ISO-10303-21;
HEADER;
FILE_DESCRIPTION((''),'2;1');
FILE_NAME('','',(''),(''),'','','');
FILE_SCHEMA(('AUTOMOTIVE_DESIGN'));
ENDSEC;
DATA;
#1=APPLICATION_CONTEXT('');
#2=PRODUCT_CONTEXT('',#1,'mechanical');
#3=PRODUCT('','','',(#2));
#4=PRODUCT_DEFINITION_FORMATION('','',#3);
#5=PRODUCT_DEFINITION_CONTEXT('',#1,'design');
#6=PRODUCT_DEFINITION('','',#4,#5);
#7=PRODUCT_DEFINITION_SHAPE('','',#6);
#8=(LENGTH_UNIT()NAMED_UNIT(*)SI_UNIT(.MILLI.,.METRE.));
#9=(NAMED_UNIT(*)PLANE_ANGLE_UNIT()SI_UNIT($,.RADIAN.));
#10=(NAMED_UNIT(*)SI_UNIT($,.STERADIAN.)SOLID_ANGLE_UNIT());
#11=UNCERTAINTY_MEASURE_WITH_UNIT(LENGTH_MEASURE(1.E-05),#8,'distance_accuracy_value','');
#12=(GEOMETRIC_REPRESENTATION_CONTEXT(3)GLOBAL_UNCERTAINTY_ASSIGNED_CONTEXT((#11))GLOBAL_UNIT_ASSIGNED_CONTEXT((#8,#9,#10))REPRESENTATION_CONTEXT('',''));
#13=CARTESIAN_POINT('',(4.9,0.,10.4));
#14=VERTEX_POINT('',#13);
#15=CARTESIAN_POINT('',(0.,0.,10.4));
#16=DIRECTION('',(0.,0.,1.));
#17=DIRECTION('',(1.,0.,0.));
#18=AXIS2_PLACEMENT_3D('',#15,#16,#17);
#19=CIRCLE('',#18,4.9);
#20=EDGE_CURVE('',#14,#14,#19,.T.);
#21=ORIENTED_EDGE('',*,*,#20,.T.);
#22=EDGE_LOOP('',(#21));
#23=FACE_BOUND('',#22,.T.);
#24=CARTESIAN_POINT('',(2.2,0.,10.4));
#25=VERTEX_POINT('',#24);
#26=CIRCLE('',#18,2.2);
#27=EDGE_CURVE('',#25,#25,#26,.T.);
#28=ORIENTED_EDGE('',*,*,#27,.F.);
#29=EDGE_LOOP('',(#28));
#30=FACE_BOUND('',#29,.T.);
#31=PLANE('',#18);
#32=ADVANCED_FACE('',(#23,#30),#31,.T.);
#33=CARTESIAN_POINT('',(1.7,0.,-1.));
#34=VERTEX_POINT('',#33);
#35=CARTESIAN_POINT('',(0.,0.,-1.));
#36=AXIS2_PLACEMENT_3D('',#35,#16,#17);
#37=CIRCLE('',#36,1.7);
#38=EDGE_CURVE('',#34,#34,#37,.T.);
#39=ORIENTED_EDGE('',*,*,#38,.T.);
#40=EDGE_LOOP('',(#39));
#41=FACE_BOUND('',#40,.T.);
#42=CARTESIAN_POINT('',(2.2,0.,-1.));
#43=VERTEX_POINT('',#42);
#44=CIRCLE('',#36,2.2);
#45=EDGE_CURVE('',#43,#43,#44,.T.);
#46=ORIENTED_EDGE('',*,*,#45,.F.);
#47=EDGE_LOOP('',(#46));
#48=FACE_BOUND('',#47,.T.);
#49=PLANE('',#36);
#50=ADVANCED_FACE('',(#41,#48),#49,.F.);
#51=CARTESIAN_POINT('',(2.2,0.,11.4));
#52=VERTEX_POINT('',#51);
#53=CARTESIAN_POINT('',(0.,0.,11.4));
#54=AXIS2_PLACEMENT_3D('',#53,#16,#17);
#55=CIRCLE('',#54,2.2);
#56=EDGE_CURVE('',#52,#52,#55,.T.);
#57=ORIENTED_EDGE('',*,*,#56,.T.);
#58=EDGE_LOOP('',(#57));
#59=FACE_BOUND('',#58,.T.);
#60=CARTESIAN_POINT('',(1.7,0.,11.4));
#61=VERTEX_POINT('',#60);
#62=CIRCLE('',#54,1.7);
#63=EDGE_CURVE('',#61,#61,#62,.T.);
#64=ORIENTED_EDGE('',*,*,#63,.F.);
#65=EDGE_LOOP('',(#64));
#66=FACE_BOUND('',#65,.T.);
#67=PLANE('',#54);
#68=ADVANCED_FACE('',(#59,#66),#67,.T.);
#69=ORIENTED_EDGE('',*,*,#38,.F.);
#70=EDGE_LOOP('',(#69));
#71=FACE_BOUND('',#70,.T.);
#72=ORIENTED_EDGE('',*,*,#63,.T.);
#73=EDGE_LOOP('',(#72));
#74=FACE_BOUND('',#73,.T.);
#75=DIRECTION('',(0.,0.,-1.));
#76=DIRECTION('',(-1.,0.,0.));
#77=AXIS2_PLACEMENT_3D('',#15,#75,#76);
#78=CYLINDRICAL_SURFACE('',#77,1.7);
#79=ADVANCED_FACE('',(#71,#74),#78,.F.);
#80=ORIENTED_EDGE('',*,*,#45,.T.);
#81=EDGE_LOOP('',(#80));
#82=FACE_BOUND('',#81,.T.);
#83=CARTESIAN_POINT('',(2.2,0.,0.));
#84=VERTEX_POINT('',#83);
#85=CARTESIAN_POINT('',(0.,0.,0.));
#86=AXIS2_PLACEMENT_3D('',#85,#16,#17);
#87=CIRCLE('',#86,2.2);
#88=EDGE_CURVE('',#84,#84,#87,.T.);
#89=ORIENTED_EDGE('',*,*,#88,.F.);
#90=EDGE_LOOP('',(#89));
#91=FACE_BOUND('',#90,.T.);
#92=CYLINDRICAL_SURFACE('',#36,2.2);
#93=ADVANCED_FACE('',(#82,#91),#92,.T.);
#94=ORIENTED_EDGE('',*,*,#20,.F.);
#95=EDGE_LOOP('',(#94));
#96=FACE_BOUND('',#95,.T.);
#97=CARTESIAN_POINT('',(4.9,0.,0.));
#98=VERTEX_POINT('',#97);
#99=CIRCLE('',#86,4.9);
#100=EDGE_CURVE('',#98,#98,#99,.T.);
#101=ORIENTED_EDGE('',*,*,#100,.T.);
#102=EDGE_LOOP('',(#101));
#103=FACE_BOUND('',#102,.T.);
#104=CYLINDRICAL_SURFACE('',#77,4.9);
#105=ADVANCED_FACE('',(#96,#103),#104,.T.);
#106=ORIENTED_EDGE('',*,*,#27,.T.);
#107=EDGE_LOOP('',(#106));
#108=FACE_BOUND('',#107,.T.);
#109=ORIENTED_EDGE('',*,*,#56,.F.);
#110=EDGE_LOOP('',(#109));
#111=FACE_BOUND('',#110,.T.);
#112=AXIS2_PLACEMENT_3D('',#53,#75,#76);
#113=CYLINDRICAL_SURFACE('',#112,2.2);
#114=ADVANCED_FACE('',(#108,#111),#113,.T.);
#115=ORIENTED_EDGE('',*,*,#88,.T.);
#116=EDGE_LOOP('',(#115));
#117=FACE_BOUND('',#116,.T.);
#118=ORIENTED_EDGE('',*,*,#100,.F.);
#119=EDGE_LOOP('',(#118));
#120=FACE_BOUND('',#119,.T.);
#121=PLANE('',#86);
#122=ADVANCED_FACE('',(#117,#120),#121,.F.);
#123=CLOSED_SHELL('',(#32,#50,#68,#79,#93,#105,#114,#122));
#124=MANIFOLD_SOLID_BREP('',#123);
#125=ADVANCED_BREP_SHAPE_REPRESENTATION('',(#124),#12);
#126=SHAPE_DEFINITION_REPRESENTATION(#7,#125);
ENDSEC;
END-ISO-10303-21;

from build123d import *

# Parameters (mm, degrees)
SKETCH1_R           = 4.9
SKETCH1_R_2         = 1.7
BOSS_EXTRUDE1_DEPTH = 10.4
SKETCH2_R           = 2.2
SKETCH2_R_2         = 1.7
BOSS_EXTRUDE2_DEPTH = 1
BOSS_EXTRUDE3_START = -1
SKETCH3_R           = 2.2
SKETCH3_R_2         = 1.7
BOSS_EXTRUDE3_DEPTH = 1


with BuildPart() as part:
    # Sketch1 → Boss-Extrude1 (new body)
    with BuildSketch(Plane.XY):
        Circle(SKETCH1_R)
        Circle(SKETCH1_R_2, mode=Mode.SUBTRACT)
    extrude(amount=BOSS_EXTRUDE1_DEPTH)

    # Sketch2 → Boss-Extrude2 (add)
    with BuildSketch(Plane.XY.offset(10.4)):
        Circle(SKETCH2_R)
        Circle(SKETCH2_R_2, mode=Mode.SUBTRACT)
    extrude(amount=BOSS_EXTRUDE2_DEPTH)

    # Sketch3 → Boss-Extrude3 (add)
    with BuildSketch(Plane.XY.offset(BOSS_EXTRUDE3_START)):
        Circle(SKETCH3_R)
        Circle(SKETCH3_R_2, mode=Mode.SUBTRACT)
    extrude(amount=BOSS_EXTRUDE3_DEPTH)


solid = part.part
